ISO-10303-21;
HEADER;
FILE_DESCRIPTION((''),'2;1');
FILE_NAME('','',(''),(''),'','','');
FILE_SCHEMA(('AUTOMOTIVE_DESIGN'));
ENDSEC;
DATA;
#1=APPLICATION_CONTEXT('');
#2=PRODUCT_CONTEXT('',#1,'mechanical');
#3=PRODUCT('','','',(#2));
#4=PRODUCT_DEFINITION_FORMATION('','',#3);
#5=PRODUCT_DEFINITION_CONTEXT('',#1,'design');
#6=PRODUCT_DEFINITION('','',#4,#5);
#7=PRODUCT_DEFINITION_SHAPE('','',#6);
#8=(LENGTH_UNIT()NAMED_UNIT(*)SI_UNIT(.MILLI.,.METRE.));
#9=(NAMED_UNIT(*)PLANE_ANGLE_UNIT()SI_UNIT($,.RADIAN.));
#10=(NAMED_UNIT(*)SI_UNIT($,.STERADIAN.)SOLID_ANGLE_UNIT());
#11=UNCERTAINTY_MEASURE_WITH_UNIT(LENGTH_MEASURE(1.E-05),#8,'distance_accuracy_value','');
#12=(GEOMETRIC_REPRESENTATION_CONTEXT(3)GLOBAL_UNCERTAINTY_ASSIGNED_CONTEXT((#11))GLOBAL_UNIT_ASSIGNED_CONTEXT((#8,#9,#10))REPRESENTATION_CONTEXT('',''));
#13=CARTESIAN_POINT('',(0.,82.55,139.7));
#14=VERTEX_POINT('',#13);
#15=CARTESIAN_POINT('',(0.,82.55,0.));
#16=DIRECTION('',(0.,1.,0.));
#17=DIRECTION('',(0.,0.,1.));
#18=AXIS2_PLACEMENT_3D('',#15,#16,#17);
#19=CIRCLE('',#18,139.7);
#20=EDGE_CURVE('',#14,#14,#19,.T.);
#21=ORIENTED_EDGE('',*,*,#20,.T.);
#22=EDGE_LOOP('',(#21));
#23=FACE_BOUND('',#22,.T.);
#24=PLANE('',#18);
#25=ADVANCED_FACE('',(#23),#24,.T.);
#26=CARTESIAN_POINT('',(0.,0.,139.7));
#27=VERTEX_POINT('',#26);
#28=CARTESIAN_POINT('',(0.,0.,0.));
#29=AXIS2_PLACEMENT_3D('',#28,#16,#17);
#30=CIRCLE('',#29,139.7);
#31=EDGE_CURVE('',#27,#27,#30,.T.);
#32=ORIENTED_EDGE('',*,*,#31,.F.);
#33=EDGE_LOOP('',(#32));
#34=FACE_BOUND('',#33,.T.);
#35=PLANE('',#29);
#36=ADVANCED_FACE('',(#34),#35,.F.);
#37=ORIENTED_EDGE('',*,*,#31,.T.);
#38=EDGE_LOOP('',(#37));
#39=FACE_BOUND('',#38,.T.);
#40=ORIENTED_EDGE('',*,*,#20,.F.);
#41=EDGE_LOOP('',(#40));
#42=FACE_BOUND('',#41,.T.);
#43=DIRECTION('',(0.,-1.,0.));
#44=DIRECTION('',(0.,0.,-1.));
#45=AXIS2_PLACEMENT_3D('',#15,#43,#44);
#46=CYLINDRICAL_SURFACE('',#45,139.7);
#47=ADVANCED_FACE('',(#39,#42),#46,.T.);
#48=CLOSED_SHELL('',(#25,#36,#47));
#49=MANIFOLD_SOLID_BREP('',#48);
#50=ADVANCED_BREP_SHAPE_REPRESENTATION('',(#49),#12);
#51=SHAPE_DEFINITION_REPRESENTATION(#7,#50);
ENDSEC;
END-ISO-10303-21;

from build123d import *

# Parameters (mm, degrees)
SKETCH1_R           = 139.7
BOSS_EXTRUDE1_DEPTH = 82.55


with BuildPart() as part:
    # Sketch1 → Boss-Extrude1 (new body)
    with BuildSketch(Plane(origin=(0, 0, 0), x_dir=(1, 0, 0), z_dir=(0, 1, 0))):
        with Locations(Location((0, 0, 0), (0, 0, 270))):
            Circle(SKETCH1_R)
    extrude(amount=BOSS_EXTRUDE1_DEPTH)


solid = part.part
